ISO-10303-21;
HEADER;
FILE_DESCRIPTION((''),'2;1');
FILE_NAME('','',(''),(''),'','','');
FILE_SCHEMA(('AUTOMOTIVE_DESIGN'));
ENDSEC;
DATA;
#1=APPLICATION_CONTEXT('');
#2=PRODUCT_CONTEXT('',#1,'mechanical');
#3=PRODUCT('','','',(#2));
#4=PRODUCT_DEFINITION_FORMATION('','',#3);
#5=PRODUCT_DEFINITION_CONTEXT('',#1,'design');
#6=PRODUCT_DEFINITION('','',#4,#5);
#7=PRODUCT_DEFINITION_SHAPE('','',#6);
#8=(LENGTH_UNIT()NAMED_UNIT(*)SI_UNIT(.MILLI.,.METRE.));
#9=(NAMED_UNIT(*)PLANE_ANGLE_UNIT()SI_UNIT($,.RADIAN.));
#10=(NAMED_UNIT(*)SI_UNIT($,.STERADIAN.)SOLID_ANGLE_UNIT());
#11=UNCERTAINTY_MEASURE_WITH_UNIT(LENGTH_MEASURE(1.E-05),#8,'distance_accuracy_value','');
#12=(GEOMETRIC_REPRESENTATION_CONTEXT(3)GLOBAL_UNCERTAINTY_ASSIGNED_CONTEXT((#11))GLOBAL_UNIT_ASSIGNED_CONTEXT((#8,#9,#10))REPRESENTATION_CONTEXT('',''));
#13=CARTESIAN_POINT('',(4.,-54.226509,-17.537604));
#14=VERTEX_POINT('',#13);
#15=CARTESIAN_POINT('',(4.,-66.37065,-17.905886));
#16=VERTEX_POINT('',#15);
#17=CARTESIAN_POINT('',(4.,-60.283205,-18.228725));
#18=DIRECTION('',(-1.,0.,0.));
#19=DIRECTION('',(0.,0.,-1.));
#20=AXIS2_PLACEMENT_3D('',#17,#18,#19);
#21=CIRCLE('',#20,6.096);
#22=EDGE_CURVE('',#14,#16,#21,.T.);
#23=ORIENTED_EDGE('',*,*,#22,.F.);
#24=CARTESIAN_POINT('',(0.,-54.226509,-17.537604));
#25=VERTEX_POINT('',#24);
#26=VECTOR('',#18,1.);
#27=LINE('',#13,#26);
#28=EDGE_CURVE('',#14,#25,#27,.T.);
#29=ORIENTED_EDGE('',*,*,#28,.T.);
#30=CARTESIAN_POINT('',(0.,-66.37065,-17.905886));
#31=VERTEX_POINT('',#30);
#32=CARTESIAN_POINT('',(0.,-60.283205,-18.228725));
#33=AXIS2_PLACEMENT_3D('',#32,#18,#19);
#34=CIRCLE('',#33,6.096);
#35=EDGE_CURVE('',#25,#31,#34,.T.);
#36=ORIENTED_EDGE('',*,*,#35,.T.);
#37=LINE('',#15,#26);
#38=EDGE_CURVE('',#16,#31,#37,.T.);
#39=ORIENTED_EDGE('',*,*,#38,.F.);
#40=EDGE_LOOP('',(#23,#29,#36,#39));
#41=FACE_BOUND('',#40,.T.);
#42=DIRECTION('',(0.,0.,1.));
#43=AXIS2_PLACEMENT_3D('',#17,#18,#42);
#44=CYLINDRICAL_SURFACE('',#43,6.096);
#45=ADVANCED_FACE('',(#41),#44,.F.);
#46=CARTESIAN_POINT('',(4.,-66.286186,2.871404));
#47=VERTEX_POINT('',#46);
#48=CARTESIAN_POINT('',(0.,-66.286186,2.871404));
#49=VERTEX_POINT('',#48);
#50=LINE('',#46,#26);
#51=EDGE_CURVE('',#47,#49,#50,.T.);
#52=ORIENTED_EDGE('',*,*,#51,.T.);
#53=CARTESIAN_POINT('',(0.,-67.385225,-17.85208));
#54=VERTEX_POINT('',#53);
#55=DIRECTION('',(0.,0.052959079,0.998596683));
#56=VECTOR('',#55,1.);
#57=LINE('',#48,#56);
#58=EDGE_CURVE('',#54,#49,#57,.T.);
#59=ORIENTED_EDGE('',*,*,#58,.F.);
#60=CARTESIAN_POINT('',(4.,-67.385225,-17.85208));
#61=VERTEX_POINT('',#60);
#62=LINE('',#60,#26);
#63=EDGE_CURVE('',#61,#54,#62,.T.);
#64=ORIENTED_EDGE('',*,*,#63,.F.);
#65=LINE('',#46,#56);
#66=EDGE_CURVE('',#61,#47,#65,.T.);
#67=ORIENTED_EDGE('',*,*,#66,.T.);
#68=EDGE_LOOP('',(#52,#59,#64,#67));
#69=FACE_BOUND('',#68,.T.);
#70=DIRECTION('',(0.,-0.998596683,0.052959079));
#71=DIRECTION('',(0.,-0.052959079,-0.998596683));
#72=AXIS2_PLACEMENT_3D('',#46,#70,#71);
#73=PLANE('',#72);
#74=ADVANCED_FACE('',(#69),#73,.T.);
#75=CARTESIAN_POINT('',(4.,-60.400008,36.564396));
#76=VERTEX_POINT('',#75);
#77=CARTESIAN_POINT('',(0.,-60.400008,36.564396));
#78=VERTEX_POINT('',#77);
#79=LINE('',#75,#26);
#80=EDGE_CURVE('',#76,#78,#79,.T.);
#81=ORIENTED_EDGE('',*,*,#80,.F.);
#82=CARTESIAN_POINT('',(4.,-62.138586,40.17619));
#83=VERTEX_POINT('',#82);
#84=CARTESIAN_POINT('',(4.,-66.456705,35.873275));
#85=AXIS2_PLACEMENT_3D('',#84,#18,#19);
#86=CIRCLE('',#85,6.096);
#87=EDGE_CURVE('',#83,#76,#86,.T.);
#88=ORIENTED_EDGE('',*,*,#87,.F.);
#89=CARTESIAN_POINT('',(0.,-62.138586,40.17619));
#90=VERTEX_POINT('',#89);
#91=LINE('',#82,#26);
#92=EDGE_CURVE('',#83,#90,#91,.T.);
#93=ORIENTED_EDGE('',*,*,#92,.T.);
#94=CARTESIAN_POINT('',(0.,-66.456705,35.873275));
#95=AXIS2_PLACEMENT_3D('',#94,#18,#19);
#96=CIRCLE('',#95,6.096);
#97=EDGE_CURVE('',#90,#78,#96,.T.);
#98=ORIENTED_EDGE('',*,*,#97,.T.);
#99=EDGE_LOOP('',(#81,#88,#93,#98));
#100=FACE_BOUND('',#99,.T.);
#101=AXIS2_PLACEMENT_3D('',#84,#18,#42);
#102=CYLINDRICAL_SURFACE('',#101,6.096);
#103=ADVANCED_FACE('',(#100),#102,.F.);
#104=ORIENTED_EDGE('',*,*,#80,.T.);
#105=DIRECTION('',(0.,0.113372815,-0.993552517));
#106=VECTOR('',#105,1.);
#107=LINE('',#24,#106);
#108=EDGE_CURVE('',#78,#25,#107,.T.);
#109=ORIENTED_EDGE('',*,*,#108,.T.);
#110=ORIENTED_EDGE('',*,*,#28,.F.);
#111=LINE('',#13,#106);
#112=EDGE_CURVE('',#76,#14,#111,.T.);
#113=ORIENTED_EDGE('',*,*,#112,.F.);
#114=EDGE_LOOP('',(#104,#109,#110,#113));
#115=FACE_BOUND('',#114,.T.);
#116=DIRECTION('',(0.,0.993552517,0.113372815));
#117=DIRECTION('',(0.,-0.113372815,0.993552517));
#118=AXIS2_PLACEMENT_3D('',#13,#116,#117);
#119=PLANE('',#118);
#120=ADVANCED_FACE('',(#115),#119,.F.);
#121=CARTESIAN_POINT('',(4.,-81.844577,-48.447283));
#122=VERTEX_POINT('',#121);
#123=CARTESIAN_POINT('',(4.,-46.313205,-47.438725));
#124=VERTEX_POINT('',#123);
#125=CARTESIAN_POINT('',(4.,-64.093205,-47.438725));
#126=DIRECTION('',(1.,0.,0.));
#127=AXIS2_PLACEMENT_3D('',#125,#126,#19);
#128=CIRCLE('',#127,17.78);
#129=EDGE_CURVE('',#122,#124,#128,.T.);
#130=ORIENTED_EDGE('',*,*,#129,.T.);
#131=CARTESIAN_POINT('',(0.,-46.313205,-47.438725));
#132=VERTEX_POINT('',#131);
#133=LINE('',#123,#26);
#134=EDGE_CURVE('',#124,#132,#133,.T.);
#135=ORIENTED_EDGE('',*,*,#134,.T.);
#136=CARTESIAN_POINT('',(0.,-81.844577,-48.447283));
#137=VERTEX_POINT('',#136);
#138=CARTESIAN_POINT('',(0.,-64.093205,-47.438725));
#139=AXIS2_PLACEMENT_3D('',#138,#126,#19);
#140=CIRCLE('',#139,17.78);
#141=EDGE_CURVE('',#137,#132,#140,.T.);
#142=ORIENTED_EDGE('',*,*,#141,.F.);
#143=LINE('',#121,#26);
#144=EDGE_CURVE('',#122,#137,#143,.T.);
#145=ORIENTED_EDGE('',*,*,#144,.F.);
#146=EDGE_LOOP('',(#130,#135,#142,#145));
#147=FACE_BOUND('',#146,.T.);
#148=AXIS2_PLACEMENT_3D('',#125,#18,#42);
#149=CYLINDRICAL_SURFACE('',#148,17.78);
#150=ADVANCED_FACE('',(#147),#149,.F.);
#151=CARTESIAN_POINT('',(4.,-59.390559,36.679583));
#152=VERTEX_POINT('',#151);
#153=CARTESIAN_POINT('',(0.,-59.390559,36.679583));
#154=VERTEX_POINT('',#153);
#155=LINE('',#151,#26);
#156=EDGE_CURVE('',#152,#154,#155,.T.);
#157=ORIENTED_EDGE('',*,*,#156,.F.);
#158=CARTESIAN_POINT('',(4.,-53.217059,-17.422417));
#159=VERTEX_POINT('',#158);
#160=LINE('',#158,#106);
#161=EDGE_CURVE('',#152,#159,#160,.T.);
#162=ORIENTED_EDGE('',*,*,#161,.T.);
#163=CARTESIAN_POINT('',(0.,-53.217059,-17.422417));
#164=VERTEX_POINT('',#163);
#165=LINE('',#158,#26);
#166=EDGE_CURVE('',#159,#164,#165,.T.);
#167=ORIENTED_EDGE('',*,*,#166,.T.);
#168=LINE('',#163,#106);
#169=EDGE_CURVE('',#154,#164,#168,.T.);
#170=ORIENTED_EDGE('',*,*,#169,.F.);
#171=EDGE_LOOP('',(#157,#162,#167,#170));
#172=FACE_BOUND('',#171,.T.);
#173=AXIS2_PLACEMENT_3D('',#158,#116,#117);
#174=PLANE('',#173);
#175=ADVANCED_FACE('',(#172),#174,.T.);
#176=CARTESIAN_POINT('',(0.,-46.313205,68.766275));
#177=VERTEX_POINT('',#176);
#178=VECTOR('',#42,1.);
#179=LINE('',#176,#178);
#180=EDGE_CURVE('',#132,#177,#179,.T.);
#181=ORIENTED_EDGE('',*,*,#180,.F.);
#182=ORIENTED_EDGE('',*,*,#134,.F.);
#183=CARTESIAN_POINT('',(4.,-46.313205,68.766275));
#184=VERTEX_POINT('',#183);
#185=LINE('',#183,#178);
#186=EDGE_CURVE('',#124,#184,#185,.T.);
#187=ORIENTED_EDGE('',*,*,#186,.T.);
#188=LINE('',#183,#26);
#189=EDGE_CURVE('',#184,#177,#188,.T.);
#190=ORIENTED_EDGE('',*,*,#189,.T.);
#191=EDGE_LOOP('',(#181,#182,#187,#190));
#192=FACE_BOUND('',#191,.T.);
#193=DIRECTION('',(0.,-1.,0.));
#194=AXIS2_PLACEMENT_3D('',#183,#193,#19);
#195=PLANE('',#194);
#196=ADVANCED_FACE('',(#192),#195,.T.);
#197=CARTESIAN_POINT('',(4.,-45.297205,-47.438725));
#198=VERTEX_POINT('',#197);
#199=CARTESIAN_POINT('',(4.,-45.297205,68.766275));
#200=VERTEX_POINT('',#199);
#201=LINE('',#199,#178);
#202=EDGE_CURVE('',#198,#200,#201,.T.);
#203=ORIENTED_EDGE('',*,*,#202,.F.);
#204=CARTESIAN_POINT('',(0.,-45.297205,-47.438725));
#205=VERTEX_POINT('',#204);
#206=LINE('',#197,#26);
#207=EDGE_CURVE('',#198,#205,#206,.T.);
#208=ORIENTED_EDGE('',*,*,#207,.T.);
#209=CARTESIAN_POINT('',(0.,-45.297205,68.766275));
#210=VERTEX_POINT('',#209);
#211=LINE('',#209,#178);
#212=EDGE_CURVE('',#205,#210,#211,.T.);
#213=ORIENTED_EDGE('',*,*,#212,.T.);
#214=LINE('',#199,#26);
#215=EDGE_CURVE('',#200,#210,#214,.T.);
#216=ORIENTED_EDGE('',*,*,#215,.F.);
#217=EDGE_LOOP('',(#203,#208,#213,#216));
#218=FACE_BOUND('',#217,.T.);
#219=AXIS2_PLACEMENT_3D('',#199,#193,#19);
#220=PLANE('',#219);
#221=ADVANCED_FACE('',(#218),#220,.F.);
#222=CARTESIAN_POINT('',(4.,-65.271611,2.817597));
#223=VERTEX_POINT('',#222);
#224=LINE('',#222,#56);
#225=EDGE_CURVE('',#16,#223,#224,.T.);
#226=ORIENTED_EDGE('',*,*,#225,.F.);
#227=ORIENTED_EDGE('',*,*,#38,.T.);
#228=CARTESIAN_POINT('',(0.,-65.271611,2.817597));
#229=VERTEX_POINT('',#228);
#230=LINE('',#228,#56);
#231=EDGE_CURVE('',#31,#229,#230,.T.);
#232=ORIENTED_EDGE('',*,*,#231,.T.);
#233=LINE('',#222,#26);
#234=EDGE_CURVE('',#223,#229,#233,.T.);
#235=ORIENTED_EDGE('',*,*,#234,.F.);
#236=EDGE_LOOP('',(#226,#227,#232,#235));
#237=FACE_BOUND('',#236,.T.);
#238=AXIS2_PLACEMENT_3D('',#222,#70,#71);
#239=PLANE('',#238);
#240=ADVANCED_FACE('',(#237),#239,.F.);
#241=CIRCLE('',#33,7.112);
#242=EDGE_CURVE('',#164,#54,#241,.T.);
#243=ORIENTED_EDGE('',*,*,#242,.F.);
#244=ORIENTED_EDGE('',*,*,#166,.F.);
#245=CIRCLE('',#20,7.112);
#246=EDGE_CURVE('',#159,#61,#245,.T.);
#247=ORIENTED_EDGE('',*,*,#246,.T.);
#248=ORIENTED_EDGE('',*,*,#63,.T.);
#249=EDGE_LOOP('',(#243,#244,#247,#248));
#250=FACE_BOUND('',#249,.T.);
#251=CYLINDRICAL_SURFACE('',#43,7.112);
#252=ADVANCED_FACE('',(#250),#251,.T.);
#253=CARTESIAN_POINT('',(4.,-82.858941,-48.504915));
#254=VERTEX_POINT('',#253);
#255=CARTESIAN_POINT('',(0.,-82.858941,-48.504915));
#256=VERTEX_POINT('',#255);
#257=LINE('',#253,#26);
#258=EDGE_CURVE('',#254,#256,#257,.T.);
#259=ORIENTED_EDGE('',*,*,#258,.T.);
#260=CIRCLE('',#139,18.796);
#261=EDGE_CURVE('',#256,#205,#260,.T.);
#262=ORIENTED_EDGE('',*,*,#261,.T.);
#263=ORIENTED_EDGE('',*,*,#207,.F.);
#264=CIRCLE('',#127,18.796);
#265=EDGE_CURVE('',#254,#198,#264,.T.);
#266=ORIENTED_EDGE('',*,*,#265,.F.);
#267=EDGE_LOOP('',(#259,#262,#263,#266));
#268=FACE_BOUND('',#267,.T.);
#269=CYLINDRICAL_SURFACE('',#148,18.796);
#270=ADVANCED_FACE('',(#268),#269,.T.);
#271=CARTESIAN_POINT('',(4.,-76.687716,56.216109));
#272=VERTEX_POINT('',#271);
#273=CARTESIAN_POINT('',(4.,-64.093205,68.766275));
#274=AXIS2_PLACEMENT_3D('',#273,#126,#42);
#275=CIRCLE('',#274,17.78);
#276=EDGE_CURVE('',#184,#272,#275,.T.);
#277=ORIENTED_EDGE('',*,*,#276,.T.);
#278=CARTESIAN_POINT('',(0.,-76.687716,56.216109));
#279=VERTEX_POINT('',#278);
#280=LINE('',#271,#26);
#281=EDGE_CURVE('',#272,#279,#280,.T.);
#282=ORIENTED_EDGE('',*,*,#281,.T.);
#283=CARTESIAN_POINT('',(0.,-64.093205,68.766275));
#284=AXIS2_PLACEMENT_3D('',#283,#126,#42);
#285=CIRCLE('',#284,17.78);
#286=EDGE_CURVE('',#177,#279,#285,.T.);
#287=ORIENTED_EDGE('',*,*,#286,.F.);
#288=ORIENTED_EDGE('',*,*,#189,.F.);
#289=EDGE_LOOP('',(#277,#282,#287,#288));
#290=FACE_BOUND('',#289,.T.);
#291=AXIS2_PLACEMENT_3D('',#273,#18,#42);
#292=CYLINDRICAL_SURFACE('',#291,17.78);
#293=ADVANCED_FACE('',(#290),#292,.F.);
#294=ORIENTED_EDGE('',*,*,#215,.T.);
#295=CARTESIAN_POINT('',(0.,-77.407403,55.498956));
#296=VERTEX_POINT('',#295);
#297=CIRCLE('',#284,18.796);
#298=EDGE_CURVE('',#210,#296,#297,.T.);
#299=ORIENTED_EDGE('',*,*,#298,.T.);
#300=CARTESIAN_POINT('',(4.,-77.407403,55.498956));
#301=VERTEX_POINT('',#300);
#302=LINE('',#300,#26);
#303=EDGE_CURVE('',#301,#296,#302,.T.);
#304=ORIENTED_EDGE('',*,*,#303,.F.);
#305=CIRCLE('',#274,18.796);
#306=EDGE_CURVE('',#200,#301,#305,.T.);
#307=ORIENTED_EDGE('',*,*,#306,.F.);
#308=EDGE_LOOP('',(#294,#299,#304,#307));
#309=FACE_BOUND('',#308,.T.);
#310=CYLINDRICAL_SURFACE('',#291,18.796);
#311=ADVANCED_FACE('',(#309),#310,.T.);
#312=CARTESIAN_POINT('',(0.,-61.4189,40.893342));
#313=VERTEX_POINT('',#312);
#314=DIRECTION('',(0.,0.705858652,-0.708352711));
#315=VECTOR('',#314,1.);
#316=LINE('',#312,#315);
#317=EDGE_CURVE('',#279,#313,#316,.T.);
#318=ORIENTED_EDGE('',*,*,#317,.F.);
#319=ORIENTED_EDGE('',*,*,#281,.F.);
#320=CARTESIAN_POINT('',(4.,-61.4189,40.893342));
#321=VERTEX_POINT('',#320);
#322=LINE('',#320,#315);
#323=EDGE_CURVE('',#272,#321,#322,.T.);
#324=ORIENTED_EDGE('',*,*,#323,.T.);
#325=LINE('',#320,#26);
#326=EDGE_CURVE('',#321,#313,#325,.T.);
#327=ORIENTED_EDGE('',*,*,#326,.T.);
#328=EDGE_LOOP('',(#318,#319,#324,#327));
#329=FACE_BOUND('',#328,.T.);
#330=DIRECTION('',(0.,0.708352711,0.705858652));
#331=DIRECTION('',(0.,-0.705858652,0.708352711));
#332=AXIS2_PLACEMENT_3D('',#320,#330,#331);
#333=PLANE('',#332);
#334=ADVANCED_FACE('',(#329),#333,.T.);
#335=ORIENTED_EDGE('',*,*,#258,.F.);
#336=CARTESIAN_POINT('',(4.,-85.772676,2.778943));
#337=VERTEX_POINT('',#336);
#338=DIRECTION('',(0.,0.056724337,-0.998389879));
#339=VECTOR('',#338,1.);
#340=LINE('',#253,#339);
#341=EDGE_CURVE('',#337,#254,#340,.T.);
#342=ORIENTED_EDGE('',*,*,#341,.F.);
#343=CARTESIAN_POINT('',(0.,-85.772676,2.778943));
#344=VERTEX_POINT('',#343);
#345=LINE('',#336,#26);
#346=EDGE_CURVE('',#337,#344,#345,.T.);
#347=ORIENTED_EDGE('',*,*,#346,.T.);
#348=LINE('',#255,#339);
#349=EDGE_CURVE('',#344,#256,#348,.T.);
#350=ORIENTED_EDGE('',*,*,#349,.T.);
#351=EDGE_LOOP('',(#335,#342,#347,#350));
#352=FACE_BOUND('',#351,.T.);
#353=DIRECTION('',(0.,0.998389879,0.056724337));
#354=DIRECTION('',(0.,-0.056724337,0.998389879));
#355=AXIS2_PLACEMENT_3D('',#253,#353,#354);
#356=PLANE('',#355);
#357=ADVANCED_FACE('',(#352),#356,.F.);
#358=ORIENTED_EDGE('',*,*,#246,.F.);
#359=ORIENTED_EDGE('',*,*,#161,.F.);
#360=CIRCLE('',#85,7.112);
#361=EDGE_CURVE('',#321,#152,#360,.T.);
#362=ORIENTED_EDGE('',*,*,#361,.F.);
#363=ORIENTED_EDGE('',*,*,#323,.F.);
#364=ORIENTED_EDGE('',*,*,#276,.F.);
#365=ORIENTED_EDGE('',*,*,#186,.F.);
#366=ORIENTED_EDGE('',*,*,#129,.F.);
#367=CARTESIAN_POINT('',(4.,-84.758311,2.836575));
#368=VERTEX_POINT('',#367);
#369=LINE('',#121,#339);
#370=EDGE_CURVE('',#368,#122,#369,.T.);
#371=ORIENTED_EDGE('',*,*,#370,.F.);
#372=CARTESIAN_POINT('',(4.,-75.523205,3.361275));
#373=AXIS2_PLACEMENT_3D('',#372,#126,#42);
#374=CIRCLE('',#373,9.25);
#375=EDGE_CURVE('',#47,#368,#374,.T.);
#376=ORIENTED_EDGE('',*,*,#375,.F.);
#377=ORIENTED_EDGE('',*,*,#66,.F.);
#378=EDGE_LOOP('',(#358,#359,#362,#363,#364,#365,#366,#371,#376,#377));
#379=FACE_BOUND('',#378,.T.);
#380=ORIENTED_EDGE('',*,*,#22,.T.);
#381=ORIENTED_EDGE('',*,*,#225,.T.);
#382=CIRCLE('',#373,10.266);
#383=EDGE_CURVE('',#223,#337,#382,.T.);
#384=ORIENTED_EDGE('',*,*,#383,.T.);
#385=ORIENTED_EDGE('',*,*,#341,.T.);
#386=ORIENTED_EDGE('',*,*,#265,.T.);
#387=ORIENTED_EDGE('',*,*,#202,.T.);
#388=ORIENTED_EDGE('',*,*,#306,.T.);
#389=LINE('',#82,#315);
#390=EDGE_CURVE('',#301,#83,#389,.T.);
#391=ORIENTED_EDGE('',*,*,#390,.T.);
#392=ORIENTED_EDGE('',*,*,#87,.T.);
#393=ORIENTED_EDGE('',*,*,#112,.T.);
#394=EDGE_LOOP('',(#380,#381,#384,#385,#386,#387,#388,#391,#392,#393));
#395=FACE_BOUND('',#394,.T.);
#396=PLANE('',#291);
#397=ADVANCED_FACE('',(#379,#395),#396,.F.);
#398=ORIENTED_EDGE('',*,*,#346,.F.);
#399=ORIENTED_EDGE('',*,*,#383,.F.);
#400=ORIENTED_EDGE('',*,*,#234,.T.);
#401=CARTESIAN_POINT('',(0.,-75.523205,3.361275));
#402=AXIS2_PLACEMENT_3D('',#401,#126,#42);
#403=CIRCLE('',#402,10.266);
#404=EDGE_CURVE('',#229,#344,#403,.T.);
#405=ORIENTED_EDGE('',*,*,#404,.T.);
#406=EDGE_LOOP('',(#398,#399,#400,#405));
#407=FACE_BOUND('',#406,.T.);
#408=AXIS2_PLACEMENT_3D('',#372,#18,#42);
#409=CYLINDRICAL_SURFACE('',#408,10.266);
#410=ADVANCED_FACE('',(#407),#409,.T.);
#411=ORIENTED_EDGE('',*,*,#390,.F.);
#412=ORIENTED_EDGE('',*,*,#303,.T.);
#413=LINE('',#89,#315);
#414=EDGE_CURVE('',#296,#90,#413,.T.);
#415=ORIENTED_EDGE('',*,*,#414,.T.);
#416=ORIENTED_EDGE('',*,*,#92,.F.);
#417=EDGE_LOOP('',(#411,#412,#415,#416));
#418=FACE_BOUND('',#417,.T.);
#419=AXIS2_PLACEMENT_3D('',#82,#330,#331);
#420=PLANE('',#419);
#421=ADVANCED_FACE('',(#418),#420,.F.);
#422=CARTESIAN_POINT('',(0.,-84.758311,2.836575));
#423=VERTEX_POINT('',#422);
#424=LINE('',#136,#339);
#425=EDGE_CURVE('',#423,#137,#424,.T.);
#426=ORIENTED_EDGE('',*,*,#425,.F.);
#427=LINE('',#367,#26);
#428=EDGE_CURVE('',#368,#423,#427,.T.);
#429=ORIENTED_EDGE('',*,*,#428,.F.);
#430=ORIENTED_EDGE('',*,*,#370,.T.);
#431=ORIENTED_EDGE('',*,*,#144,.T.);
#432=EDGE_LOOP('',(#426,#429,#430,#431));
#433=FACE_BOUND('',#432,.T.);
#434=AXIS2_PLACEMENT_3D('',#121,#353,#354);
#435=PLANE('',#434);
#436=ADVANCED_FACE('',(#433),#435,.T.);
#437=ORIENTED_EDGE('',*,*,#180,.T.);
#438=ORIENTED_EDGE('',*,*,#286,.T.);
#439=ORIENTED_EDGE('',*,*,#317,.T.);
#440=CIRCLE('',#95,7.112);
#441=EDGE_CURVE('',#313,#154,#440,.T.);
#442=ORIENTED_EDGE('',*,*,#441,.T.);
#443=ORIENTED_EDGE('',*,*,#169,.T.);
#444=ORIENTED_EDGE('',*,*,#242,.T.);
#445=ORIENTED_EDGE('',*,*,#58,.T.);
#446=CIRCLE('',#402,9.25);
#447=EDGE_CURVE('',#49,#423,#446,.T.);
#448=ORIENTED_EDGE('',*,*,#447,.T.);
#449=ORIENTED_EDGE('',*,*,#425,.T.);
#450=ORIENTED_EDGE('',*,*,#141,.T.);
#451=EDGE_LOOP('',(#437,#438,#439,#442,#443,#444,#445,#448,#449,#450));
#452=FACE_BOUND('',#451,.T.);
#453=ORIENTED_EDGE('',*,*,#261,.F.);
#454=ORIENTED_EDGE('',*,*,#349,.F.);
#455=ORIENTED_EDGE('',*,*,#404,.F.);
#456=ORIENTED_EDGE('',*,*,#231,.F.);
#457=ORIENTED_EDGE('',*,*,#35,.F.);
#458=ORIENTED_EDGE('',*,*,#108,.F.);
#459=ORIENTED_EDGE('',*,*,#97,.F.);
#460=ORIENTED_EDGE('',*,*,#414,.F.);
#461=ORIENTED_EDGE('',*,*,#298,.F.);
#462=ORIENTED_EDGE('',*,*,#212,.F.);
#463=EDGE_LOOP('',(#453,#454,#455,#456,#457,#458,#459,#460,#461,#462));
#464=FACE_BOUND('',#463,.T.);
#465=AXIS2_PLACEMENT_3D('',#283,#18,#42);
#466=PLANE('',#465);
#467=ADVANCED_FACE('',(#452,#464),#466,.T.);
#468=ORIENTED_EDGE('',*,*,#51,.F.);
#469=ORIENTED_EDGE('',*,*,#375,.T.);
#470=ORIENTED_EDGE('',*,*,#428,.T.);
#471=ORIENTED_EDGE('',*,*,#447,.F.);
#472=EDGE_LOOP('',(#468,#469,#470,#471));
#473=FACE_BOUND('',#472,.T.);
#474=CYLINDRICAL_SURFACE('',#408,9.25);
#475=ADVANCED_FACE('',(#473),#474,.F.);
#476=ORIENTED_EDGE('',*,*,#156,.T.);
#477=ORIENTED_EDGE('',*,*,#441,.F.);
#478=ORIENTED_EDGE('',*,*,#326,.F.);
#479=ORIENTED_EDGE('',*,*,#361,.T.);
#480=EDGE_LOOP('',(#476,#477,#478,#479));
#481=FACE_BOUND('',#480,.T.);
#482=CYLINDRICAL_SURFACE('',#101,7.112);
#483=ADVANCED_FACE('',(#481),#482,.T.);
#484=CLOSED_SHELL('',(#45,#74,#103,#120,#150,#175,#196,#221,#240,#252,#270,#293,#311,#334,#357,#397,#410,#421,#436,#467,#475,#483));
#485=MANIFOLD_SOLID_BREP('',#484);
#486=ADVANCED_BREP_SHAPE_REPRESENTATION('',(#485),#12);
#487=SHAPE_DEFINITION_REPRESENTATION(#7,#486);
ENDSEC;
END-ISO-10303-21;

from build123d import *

# Parameters (mm, degrees)
BOSS_EXTRUDE1_DEPTH = 4


with BuildPart() as part:
    # Sketch1 → Boss-Extrude1 (new body)
    with BuildSketch(Plane.YZ):
        with BuildLine():
            Line((-45.297204985, 68.766275416), (-45.297204985, -47.438724583))
            ThreePointArc((-45.297204985, -47.438724583), (-63.559894946, -66.227157099), (-82.858941142, -48.504915228))
            Line((-82.858941142, -48.504915228), (-85.772675501, 2.778943341))
            ThreePointArc((-85.772675501, 2.778943341), (-75.542561207, 13.627257141), (-65.271611457, 2.817597479))
            Line((-65.271611457, 2.817597479), (-66.370650366, -17.905886036))
            ThreePointArc((-66.370650366, -17.905886036), (-60.09842319, -24.321923389), (-54.226508839, -17.537603901))
            Line((-54.226508839, -17.537603901), (-60.400008434, 36.564396099))
            ThreePointArc((-60.400008434, 36.564396099), (-60.963940599, 38.517279926), (-62.138586455, 40.176189762))
            Line((-62.138586455, 40.176189762), (-77.407402535, 55.498956184))
            ThreePointArc((-77.407402535, 55.498956184), (-71.270807609, 86.137850951), (-45.297204985, 68.766275416))
        make_face()
        with BuildLine():
            Line((-81.844577025, -48.447283301), (-84.758311385, 2.836575268))
            ThreePointArc((-84.758311385, 2.836575268), (-75.540645573, 12.611258947), (-66.286185688, 2.871403904))
            Line((-66.286185688, 2.871403904), (-67.385224597, -17.852079611))
            ThreePointArc((-67.385224597, -17.852079611), (-60.067626225, -25.337456524), (-53.217059482, -17.42241712))
            Line((-53.217059482, -17.42241712), (-59.390559076, 36.67958288))
            ThreePointArc((-59.390559076, 36.67958288), (-60.048479935, 38.957947345), (-61.418900101, 40.893342152))
            Line((-61.418900101, 40.893342152), (-76.687716181, 56.216108575))
            ThreePointArc((-76.687716181, 56.216108575), (-70.882829088, 85.198846868), (-46.313204985, 68.766275416))
            Line((-46.313204985, 68.766275416), (-46.313204985, -47.438724583))
            ThreePointArc((-46.313204985, -47.438724583), (-63.588722515, -65.211566152), (-81.844577025, -48.447283301))
        make_face(mode=Mode.SUBTRACT)
    extrude(amount=BOSS_EXTRUDE1_DEPTH)


solid = part.part
